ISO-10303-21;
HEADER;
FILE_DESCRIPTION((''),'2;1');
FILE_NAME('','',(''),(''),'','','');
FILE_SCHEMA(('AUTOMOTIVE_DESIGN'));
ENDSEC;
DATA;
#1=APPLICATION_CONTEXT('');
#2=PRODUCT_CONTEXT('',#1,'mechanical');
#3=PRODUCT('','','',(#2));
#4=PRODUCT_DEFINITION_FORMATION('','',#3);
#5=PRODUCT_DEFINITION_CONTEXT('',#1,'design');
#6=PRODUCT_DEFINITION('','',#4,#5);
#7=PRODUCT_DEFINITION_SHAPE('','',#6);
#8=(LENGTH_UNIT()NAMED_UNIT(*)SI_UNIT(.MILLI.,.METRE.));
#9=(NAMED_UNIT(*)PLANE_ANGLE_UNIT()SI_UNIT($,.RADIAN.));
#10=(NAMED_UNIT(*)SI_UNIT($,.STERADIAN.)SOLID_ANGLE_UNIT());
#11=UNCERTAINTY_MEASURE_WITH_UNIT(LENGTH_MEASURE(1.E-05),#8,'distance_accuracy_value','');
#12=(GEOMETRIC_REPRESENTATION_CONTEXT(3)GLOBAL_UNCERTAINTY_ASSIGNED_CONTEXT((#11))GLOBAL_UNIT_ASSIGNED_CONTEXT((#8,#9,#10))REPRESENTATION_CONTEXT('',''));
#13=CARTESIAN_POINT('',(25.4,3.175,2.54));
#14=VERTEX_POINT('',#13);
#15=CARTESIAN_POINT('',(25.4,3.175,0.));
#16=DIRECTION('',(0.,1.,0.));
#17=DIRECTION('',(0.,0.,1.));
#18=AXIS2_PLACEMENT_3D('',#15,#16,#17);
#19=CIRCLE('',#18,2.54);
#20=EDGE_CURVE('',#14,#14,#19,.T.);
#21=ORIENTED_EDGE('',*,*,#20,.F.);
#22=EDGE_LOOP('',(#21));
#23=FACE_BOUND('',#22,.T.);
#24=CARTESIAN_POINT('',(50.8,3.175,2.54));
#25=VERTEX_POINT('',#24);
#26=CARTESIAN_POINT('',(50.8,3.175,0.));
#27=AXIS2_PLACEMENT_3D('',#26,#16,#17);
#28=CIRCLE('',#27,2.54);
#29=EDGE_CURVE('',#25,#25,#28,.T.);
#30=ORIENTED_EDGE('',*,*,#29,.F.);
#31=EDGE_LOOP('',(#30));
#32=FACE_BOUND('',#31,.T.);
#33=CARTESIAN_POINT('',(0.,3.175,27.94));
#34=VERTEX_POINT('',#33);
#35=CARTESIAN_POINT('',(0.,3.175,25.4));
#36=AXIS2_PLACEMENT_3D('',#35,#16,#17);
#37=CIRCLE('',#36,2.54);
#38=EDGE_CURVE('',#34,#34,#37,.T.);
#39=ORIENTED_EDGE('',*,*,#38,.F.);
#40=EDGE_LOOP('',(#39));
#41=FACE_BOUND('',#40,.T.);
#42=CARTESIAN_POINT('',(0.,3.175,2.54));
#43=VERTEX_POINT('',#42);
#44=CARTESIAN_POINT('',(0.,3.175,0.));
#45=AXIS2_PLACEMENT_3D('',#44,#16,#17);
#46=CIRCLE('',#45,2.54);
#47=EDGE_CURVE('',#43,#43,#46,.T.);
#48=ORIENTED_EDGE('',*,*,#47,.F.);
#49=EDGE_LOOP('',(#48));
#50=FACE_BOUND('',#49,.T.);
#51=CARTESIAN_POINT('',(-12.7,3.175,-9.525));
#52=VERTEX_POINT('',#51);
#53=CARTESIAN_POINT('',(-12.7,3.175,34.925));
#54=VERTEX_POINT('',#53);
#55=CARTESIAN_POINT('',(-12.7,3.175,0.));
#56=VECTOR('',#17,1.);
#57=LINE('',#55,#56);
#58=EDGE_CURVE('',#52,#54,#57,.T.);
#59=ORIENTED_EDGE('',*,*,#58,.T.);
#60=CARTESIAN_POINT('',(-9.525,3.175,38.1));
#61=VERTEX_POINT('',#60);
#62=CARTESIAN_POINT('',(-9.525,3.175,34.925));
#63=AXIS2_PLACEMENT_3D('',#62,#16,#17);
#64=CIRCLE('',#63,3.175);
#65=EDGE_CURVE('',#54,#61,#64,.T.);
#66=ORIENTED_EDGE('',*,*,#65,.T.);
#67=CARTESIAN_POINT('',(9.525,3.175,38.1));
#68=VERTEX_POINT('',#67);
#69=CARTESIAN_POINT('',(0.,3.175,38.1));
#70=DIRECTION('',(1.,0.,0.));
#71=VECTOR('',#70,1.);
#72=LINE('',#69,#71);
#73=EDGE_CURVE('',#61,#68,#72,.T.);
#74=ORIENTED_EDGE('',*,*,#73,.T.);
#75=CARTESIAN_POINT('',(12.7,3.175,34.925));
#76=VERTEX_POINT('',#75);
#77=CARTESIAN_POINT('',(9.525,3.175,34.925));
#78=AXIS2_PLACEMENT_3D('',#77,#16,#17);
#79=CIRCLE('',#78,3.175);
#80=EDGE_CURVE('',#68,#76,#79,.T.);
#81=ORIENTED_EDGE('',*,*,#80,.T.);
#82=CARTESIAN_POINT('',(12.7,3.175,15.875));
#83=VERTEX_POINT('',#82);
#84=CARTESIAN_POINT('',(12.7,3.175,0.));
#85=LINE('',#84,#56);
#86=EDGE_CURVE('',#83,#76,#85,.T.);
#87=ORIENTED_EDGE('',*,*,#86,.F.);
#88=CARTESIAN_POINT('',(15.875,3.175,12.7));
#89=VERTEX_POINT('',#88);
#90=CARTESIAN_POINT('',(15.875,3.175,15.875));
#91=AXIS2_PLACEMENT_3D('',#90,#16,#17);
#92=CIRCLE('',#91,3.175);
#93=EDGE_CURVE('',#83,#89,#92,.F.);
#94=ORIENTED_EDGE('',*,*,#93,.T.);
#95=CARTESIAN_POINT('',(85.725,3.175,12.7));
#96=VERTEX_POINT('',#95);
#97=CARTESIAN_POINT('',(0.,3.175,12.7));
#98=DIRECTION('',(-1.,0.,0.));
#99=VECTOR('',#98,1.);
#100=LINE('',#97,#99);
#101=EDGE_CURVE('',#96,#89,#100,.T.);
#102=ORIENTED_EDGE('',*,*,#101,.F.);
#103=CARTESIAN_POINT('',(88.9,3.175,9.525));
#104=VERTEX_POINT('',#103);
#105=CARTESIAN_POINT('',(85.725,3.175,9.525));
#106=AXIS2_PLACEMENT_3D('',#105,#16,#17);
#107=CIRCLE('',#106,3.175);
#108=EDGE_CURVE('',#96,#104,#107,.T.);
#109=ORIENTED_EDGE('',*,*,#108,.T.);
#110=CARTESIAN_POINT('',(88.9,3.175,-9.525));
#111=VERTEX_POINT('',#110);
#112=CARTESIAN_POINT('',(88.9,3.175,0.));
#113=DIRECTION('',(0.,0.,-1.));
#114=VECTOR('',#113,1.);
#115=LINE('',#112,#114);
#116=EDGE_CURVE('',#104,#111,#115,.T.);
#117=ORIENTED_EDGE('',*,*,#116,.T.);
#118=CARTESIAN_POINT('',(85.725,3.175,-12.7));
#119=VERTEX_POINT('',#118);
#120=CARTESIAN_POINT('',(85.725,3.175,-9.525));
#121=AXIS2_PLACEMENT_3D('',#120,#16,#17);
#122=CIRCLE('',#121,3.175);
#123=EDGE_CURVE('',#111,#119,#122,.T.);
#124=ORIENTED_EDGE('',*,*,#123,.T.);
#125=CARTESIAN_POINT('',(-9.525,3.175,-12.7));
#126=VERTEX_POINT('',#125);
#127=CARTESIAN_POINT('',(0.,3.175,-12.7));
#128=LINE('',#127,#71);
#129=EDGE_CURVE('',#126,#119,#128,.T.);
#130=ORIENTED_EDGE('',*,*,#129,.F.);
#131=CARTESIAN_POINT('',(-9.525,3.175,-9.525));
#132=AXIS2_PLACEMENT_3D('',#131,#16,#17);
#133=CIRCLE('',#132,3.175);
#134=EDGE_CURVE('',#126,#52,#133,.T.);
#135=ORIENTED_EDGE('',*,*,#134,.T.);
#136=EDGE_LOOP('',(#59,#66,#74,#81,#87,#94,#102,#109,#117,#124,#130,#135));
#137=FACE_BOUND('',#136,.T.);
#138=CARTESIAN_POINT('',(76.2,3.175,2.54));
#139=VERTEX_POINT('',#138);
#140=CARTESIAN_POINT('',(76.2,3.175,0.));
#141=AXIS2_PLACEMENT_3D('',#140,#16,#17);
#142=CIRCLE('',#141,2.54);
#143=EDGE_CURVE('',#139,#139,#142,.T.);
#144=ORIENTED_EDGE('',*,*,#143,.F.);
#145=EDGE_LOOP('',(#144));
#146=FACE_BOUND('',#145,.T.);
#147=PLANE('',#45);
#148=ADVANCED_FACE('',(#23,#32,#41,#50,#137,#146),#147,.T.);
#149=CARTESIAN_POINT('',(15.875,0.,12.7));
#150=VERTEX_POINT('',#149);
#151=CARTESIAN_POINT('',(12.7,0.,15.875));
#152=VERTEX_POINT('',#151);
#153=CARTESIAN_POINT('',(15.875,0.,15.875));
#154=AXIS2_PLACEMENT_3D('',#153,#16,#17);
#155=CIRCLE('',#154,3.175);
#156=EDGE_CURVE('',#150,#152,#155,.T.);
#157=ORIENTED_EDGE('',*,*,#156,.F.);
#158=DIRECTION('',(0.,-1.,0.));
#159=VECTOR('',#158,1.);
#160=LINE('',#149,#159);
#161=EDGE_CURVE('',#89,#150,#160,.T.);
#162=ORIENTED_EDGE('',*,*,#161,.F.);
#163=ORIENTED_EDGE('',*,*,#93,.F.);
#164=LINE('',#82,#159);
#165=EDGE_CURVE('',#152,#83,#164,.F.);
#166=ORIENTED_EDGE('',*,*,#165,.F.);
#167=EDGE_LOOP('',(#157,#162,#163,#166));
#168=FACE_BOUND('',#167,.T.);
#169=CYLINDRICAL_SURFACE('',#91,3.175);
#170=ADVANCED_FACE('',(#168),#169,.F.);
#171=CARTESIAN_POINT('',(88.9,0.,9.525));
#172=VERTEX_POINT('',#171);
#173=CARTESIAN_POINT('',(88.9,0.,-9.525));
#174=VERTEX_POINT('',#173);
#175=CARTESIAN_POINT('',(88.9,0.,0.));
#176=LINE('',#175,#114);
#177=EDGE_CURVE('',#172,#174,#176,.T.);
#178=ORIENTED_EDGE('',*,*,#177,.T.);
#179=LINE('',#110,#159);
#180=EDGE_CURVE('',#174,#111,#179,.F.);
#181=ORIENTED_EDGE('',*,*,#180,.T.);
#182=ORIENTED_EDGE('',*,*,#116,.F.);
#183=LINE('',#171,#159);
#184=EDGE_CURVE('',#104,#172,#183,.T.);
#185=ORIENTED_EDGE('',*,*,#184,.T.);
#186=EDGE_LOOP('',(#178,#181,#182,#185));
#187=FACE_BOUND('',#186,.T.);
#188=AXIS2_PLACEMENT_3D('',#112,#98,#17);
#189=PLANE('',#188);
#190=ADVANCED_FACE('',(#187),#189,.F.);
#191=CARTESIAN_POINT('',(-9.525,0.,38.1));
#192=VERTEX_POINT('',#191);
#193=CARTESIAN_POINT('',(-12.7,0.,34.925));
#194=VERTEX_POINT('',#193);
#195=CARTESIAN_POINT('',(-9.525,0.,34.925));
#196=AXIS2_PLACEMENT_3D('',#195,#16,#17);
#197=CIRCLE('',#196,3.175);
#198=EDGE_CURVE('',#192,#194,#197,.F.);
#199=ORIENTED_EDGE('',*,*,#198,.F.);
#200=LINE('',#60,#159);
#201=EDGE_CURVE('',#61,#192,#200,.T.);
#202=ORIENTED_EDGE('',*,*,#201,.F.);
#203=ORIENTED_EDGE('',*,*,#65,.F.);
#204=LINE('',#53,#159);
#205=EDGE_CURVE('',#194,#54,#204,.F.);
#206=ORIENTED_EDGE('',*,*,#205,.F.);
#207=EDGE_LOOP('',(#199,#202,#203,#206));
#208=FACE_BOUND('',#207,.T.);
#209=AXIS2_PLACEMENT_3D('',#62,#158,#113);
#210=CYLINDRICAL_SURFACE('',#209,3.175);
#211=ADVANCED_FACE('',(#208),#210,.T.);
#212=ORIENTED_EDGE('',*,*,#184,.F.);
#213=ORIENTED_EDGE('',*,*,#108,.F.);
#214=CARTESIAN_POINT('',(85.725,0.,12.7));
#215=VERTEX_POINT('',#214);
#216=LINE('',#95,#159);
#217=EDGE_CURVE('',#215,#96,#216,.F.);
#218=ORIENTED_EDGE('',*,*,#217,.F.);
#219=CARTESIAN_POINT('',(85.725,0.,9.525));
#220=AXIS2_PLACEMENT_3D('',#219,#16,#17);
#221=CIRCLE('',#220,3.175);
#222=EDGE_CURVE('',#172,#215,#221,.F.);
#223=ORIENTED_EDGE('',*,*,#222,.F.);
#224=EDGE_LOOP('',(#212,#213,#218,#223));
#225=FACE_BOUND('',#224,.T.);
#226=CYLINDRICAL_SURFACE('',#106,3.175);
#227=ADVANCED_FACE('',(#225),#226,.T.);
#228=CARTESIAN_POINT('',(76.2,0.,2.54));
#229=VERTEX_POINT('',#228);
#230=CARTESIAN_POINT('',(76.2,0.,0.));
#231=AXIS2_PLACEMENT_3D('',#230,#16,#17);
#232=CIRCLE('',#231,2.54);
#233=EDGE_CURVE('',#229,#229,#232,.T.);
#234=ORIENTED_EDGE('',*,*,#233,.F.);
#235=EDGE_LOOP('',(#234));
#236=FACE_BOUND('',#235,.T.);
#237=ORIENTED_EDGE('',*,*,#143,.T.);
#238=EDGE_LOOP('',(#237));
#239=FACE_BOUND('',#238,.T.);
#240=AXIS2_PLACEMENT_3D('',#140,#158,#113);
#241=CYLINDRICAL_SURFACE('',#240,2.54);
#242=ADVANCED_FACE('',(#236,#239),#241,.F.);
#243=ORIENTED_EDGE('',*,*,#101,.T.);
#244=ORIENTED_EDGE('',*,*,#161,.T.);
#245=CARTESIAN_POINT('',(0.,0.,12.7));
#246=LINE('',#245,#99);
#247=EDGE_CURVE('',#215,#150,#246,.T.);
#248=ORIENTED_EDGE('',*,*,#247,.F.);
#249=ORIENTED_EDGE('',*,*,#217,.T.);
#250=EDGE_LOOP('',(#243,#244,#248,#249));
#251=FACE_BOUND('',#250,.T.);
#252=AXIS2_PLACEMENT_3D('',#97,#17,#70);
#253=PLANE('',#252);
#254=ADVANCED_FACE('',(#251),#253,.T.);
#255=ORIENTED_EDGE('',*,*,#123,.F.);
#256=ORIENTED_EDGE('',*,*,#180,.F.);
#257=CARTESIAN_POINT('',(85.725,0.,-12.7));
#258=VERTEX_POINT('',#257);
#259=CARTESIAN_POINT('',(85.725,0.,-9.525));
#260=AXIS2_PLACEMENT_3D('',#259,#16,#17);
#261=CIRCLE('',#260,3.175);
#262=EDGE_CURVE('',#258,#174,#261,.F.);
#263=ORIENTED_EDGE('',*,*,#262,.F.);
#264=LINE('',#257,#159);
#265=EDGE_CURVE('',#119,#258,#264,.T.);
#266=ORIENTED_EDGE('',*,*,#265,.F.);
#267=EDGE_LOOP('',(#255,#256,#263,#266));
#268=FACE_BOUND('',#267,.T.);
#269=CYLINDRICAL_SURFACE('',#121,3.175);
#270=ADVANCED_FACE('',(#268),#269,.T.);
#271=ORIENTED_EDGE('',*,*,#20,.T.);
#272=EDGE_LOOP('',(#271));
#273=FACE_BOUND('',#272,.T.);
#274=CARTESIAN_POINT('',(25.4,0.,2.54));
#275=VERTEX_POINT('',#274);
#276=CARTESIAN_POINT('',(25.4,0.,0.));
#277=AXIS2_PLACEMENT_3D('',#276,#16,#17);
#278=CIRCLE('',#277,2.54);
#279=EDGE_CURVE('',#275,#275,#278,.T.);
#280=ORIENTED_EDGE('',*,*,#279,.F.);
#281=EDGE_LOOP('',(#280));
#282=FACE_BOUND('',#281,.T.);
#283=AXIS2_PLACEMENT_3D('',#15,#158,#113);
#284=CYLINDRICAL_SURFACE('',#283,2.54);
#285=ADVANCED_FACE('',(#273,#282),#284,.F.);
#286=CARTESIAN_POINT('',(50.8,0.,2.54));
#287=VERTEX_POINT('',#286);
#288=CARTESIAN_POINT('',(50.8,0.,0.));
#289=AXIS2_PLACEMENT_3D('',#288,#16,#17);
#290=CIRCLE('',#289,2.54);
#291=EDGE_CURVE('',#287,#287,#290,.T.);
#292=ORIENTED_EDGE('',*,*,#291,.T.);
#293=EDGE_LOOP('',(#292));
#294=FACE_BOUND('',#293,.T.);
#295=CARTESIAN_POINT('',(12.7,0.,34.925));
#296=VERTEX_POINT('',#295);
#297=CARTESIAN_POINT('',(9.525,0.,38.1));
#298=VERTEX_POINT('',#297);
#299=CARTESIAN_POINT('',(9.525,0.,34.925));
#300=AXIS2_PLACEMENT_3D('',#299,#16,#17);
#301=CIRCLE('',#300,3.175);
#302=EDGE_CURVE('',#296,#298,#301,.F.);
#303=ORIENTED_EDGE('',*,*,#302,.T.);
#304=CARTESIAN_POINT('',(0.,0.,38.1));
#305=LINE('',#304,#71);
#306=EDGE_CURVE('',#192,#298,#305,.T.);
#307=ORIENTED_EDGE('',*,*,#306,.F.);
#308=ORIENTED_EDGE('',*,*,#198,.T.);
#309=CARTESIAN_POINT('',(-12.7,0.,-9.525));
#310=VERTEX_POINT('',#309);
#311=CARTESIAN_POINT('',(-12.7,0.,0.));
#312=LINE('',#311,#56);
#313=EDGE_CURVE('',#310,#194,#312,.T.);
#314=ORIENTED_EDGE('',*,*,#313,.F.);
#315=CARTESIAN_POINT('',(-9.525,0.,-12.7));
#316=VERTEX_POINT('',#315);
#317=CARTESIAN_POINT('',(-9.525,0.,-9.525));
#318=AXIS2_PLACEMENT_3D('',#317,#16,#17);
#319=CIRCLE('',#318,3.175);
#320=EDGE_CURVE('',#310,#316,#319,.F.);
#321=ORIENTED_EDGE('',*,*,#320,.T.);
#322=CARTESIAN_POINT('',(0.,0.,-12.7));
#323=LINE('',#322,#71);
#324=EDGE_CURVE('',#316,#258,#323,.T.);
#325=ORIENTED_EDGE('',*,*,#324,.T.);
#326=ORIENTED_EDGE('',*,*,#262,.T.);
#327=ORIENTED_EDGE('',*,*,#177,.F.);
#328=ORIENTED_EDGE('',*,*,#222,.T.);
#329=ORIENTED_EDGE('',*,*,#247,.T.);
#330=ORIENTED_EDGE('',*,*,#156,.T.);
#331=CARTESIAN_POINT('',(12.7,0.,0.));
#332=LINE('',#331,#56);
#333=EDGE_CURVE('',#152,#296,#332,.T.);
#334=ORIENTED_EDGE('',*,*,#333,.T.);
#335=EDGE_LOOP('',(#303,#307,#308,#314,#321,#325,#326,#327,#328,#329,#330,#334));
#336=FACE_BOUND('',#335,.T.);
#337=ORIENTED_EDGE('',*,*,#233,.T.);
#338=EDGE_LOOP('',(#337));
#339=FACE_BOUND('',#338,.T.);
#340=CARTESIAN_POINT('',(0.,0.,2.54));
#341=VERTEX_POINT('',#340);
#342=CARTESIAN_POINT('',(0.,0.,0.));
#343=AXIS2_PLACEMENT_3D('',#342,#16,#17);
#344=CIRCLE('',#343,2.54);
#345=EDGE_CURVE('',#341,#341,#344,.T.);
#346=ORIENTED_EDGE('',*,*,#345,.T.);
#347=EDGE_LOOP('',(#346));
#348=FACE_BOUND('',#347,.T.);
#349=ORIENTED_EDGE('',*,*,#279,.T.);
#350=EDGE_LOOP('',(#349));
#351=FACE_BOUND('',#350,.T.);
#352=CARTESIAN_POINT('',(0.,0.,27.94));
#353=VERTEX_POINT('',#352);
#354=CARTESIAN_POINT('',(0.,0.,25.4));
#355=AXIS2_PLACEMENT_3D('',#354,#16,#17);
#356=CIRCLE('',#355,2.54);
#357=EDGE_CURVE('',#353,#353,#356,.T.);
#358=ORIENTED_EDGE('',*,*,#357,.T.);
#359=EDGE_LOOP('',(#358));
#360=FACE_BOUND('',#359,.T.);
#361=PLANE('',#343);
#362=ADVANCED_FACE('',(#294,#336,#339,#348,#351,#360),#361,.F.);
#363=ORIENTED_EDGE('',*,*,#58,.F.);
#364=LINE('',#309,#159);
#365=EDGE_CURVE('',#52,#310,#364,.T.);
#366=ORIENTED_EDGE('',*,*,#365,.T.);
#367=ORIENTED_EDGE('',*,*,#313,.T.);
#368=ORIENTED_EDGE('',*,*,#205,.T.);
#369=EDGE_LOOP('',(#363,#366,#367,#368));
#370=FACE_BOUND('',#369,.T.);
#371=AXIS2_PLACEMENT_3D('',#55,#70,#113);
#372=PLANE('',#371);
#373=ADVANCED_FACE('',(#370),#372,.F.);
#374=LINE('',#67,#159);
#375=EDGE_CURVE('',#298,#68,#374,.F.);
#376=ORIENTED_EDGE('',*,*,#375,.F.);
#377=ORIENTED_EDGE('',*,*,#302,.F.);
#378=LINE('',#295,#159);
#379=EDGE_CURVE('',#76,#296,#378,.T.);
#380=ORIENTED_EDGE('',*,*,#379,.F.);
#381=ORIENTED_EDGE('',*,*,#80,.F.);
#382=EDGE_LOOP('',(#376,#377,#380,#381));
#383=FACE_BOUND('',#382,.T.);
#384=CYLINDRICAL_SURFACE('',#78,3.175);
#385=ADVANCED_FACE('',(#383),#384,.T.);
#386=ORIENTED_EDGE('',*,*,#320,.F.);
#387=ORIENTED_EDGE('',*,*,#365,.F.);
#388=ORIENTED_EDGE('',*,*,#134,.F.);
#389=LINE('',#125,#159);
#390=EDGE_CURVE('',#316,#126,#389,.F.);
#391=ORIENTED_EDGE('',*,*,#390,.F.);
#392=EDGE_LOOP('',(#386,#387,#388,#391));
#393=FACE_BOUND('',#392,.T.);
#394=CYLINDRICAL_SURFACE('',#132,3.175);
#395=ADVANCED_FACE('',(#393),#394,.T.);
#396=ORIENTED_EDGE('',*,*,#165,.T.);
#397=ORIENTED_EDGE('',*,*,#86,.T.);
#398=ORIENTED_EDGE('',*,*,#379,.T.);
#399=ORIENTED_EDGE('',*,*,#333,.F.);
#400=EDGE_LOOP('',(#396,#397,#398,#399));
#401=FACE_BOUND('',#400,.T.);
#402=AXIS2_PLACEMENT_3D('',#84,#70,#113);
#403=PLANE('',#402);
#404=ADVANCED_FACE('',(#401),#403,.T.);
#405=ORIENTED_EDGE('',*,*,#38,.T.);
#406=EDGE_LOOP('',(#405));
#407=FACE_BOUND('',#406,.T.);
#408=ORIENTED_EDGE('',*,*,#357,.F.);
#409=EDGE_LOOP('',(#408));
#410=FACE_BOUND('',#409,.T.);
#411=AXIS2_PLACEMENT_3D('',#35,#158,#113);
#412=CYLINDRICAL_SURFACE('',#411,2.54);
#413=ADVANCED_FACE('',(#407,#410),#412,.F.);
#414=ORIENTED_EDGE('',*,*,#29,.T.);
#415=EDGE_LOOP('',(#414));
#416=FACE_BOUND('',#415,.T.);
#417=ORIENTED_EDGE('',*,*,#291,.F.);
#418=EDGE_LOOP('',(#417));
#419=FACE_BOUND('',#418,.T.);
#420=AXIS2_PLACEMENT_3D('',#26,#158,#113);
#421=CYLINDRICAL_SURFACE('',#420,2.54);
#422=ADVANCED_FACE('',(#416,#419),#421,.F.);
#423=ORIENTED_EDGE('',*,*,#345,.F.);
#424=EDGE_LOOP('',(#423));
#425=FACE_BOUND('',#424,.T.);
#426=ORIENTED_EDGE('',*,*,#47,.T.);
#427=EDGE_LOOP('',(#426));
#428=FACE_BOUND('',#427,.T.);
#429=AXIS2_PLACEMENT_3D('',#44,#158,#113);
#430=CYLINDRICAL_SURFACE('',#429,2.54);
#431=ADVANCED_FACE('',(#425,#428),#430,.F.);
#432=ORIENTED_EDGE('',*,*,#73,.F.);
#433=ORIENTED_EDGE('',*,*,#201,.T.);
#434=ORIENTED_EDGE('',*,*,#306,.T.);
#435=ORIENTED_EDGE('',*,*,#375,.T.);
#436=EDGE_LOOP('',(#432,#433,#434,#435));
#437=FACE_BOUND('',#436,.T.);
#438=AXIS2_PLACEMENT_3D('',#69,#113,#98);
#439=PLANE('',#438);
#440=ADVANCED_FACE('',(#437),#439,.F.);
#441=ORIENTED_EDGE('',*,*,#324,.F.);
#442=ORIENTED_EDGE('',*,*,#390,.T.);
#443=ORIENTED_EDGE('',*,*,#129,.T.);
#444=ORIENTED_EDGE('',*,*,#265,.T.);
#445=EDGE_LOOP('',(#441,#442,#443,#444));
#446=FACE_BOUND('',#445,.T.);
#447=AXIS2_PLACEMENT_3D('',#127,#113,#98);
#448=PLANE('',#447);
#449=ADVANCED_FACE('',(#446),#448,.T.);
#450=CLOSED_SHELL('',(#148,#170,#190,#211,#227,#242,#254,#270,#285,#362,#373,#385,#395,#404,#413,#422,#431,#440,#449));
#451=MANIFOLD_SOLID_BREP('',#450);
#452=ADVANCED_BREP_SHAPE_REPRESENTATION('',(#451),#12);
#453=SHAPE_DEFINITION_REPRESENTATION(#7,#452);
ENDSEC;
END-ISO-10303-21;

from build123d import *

# Parameters (mm, degrees)
SKETCH1_R           = 2.54
SKETCH1_W           = 76.2
SKETCH1_H           = 25.4
BOSS_EXTRUDE1_DEPTH = 3.175
FILLET1_R           = 3.175


with BuildPart() as part:
    # Sketch1 → Boss-Extrude1 (new body)
    # profile 1 of 2: a face of its own
    with BuildSketch(Plane(origin=(0, 0, 0), x_dir=(1, 0, 0), z_dir=(0, 1, 0))):
        Polygon((12.7, 12.7), (-12.7, 12.7), (-12.7, -38.1), (12.7, -38.1), (12.7, -12.7), align=None)
        with Locations(Location((0, -25.4, 0), (0, 0, 270))):
            Circle(SKETCH1_R, mode=Mode.SUBTRACT)
        with Locations(Location((0, 0, 0), (0, 0, 270))):
            Circle(SKETCH1_R, mode=Mode.SUBTRACT)
    # profile 2 of 2: a face of its own
    with BuildSketch(Plane(origin=(0, 0, 0), x_dir=(1, 0, 0), z_dir=(0, 1, 0))):
        with Locations((50.8, 0)):
            Rectangle(SKETCH1_W, SKETCH1_H)
        with Locations(Location((25.4, 0, 0), (0, 0, 270))):
            Circle(SKETCH1_R, mode=Mode.SUBTRACT)
        with Locations(Location((50.8, 0, 0), (0, 0, 270))):
            Circle(SKETCH1_R, mode=Mode.SUBTRACT)
        with Locations(Location((76.2, 0, 0), (0, 0, 270))):
            Circle(SKETCH1_R, mode=Mode.SUBTRACT)
    extrude(amount=BOSS_EXTRUDE1_DEPTH)

    # Fillet1
    fillet1_edges = [part.edges().sort_by_distance(p)[0] for p in [
        (12.7, 1.5875, 38.1),
        (-12.7, 1.5875, 38.1),
        (-12.7, 1.5875, -12.7),
        (88.9, 1.5875, -12.7),
        (88.9, 1.5875, 12.7),
        (12.7, 1.5875, 12.7),
    ]]
    fillet(fillet1_edges, radius=FILLET1_R)


solid = part.part
